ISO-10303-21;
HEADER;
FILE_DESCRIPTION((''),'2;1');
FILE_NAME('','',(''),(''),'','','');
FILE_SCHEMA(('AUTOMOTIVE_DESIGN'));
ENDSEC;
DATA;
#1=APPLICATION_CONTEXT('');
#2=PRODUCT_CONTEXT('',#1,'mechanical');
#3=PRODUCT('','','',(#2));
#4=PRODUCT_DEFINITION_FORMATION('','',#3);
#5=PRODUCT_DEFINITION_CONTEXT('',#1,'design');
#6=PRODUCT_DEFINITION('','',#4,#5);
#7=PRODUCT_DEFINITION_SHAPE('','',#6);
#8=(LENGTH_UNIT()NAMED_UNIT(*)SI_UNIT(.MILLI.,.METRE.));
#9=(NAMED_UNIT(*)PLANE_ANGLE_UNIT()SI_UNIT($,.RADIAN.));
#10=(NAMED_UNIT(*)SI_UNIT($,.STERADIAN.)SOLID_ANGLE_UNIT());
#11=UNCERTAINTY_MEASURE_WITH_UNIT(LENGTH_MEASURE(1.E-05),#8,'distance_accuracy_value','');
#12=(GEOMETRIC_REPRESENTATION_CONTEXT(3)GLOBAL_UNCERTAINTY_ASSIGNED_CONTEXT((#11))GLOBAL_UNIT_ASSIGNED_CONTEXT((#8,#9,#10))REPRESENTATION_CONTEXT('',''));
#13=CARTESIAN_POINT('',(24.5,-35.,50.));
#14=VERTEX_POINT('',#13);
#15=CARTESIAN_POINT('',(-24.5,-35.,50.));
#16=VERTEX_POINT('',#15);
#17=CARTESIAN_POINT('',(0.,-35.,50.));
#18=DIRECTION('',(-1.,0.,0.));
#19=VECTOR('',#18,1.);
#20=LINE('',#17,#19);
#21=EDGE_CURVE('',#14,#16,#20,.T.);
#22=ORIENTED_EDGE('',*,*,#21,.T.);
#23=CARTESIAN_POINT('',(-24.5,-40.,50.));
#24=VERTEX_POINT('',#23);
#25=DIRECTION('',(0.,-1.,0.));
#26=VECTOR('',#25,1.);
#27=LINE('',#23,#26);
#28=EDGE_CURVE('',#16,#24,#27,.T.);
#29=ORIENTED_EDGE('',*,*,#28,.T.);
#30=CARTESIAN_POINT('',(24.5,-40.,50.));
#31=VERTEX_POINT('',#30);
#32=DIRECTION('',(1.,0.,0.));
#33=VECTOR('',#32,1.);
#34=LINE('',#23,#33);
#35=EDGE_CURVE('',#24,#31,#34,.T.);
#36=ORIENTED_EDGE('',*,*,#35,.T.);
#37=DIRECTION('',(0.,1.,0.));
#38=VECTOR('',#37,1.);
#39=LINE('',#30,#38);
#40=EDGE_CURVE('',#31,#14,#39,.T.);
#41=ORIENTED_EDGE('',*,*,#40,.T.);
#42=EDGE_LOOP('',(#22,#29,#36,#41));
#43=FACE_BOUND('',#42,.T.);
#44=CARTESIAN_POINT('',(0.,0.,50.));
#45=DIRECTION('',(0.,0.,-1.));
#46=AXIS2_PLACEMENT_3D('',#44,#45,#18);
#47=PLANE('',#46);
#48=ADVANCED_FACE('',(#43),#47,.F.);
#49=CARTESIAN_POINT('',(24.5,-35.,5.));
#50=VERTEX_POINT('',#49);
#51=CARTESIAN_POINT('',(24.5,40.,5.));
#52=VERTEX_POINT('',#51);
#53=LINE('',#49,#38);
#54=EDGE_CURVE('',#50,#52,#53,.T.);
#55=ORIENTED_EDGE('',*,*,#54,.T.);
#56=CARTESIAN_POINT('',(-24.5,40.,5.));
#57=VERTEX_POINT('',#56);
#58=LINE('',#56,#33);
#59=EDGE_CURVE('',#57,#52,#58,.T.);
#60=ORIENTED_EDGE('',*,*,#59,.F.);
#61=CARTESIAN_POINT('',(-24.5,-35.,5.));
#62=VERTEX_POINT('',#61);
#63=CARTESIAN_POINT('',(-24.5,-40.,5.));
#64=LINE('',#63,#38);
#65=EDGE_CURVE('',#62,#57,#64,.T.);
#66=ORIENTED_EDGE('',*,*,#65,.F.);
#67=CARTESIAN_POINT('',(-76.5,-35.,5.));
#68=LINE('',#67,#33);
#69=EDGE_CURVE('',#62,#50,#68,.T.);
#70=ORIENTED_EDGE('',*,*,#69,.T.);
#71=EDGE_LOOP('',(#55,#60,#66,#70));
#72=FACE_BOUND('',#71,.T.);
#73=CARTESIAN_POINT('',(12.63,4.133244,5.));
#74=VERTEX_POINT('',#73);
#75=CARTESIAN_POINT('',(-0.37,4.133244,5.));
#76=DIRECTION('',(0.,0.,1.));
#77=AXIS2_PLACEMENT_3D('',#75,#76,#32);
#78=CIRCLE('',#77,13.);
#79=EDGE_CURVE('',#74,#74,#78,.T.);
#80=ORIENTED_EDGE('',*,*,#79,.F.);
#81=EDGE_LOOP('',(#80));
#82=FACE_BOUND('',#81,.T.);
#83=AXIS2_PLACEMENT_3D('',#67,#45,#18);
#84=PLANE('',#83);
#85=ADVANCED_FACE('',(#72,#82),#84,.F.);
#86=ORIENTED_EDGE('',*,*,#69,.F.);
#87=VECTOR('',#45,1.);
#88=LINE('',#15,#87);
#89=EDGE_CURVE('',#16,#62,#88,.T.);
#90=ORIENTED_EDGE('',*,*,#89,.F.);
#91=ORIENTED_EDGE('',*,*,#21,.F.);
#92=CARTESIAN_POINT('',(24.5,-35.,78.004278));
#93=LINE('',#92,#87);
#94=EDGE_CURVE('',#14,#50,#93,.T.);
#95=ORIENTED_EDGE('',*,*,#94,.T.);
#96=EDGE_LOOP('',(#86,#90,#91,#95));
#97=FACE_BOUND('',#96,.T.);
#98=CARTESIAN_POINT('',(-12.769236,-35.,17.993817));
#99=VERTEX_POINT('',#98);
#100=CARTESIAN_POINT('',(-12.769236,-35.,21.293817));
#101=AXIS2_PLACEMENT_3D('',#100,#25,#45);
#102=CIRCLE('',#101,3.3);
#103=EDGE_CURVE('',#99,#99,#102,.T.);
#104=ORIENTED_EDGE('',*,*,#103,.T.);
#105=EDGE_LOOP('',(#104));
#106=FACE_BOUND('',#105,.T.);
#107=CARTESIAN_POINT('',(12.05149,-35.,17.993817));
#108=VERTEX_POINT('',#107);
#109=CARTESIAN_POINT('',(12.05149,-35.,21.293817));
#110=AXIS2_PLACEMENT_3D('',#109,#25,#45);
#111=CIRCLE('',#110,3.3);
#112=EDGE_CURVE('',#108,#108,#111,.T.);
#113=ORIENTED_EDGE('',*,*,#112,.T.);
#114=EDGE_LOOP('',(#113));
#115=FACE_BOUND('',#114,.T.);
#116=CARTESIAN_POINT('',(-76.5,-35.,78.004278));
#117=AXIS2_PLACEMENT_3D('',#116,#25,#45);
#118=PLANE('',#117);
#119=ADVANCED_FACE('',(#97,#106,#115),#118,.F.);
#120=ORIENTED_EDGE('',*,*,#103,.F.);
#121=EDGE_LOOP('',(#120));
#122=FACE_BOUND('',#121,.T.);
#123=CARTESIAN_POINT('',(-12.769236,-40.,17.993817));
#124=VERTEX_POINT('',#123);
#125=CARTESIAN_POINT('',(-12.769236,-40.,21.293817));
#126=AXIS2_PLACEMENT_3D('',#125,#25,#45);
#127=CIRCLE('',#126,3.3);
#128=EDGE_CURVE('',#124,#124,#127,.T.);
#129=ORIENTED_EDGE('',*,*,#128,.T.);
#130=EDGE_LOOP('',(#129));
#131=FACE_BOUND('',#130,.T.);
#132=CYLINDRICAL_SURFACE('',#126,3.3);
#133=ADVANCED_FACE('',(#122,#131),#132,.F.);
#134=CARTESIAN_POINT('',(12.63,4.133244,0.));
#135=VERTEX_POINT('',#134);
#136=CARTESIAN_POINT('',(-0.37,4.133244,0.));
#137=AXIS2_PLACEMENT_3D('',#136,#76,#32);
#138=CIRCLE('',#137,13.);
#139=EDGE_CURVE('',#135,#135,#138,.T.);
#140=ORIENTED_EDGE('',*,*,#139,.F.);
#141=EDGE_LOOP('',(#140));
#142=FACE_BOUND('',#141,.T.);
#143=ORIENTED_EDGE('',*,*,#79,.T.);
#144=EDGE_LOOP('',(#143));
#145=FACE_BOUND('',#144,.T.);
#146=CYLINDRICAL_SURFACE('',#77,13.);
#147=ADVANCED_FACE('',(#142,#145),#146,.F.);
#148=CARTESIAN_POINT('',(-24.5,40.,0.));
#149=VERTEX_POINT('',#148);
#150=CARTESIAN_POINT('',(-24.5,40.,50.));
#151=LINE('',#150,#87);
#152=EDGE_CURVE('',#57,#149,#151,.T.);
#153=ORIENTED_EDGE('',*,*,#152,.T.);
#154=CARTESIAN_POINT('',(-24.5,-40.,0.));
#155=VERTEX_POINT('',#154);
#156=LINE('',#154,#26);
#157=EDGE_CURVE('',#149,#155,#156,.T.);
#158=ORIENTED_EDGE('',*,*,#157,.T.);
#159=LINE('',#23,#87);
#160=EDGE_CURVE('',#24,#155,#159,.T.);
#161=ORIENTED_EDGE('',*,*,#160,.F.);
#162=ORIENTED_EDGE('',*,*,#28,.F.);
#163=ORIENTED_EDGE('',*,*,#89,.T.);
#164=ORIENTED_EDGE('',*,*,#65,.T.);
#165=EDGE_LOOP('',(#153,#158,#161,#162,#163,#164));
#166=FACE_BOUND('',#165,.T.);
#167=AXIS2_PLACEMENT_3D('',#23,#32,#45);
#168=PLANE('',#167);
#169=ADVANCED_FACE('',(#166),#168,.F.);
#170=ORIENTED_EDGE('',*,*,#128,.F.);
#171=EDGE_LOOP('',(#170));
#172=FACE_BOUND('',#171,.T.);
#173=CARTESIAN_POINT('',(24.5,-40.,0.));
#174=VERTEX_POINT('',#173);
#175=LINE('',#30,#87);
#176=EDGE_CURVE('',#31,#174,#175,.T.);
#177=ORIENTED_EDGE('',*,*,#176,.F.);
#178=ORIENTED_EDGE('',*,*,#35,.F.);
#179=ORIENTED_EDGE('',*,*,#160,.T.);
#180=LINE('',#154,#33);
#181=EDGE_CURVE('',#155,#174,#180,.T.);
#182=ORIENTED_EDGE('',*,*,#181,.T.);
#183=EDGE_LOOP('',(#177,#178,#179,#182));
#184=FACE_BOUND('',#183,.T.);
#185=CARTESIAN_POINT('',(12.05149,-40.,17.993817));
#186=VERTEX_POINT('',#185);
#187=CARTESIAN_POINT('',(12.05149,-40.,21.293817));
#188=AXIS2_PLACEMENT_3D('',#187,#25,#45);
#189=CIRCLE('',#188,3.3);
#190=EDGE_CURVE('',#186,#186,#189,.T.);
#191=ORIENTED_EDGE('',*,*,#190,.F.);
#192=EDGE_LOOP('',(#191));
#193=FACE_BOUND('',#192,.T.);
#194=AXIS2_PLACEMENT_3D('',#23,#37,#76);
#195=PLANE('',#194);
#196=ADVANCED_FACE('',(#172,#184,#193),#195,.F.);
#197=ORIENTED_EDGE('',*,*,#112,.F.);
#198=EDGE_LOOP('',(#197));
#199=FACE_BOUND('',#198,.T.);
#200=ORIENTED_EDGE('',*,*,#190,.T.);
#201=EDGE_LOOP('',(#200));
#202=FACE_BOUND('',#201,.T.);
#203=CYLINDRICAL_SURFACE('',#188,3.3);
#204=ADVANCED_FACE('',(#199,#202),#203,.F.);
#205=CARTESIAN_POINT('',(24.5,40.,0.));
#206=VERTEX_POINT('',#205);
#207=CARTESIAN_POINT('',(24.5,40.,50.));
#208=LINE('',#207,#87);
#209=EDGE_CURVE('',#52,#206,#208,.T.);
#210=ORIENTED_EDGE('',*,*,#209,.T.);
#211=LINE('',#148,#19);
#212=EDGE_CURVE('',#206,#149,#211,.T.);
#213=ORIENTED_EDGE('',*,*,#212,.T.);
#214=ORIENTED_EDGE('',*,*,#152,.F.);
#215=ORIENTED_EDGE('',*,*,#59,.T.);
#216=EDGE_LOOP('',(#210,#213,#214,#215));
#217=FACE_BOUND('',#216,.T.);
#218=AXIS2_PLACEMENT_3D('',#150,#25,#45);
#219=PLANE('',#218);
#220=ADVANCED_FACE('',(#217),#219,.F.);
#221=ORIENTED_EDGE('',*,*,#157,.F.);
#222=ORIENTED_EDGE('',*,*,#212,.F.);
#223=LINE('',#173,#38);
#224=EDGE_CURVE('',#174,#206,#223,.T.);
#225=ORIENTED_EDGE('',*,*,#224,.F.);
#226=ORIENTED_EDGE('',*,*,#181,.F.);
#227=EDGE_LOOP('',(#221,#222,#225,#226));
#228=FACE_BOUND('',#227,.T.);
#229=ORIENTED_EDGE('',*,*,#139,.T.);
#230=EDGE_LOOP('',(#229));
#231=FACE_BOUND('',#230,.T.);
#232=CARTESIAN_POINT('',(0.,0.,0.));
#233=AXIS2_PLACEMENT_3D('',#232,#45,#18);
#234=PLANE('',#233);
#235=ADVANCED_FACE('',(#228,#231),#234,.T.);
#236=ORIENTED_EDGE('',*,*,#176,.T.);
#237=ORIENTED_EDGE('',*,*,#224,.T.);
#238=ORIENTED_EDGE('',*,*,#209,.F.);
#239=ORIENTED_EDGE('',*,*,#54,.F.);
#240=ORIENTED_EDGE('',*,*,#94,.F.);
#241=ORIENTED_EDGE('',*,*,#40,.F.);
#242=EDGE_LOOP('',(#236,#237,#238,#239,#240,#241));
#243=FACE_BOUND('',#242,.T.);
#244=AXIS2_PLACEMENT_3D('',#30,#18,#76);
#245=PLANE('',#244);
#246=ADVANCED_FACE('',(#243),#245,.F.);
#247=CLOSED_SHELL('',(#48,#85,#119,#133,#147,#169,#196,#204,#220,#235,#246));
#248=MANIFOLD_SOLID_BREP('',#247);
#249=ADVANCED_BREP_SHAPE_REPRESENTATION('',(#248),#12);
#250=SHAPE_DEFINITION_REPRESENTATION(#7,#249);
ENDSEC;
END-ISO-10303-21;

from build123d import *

# Parameters (mm, degrees)
ESQUISSE1_W             = 49
ESQUISSE1_H             = 80
BOSS_EXTRU_1_DEPTH      = 50
ESQUISSE2_W             = 73.004277741
ESQUISSE2_H             = 90.842499223
ENL_V_MAT_EXTRU_1_DEPTH = 101
D_GAGEMENT_M61_D        = 6.6
D_GAGEMENT_M241_D       = 26


with BuildPart() as part:
    # Esquisse1 → Boss.-Extru.1 (new body)
    with BuildSketch(Plane.XY):
        Rectangle(ESQUISSE1_W, ESQUISSE1_H)
    extrude(amount=BOSS_EXTRU_1_DEPTH)

    # Esquisse2 → Enlèv. mat.-Extru.1 (cut)
    with BuildSketch(Plane(origin=(24.5, 0, 0), x_dir=(0, 0, -1), z_dir=(1, 0, 0))):
        with Locations((-41.502138871, 10.421249612)):
            Rectangle(ESQUISSE2_W, ESQUISSE2_H)
    extrude(amount=-ENL_V_MAT_EXTRU_1_DEPTH, mode=Mode.SUBTRACT)

    # Dégagement M61 (through all)
    with Locations(Plane(origin=(0, -40, 0), x_dir=(-1, 0, 0), z_dir=(0, -1, 0))):
        with Locations((-12.051490403, -21.293816609), (12.769236225, -21.293816609)):
            Hole(D_GAGEMENT_M61_D / 2)

    # Dégagement M241 (through all)
    with Locations(Plane.XY.offset(5)):
        with Locations((-0.37, 4.133244148)):
            Hole(D_GAGEMENT_M241_D / 2)


solid = part.part
